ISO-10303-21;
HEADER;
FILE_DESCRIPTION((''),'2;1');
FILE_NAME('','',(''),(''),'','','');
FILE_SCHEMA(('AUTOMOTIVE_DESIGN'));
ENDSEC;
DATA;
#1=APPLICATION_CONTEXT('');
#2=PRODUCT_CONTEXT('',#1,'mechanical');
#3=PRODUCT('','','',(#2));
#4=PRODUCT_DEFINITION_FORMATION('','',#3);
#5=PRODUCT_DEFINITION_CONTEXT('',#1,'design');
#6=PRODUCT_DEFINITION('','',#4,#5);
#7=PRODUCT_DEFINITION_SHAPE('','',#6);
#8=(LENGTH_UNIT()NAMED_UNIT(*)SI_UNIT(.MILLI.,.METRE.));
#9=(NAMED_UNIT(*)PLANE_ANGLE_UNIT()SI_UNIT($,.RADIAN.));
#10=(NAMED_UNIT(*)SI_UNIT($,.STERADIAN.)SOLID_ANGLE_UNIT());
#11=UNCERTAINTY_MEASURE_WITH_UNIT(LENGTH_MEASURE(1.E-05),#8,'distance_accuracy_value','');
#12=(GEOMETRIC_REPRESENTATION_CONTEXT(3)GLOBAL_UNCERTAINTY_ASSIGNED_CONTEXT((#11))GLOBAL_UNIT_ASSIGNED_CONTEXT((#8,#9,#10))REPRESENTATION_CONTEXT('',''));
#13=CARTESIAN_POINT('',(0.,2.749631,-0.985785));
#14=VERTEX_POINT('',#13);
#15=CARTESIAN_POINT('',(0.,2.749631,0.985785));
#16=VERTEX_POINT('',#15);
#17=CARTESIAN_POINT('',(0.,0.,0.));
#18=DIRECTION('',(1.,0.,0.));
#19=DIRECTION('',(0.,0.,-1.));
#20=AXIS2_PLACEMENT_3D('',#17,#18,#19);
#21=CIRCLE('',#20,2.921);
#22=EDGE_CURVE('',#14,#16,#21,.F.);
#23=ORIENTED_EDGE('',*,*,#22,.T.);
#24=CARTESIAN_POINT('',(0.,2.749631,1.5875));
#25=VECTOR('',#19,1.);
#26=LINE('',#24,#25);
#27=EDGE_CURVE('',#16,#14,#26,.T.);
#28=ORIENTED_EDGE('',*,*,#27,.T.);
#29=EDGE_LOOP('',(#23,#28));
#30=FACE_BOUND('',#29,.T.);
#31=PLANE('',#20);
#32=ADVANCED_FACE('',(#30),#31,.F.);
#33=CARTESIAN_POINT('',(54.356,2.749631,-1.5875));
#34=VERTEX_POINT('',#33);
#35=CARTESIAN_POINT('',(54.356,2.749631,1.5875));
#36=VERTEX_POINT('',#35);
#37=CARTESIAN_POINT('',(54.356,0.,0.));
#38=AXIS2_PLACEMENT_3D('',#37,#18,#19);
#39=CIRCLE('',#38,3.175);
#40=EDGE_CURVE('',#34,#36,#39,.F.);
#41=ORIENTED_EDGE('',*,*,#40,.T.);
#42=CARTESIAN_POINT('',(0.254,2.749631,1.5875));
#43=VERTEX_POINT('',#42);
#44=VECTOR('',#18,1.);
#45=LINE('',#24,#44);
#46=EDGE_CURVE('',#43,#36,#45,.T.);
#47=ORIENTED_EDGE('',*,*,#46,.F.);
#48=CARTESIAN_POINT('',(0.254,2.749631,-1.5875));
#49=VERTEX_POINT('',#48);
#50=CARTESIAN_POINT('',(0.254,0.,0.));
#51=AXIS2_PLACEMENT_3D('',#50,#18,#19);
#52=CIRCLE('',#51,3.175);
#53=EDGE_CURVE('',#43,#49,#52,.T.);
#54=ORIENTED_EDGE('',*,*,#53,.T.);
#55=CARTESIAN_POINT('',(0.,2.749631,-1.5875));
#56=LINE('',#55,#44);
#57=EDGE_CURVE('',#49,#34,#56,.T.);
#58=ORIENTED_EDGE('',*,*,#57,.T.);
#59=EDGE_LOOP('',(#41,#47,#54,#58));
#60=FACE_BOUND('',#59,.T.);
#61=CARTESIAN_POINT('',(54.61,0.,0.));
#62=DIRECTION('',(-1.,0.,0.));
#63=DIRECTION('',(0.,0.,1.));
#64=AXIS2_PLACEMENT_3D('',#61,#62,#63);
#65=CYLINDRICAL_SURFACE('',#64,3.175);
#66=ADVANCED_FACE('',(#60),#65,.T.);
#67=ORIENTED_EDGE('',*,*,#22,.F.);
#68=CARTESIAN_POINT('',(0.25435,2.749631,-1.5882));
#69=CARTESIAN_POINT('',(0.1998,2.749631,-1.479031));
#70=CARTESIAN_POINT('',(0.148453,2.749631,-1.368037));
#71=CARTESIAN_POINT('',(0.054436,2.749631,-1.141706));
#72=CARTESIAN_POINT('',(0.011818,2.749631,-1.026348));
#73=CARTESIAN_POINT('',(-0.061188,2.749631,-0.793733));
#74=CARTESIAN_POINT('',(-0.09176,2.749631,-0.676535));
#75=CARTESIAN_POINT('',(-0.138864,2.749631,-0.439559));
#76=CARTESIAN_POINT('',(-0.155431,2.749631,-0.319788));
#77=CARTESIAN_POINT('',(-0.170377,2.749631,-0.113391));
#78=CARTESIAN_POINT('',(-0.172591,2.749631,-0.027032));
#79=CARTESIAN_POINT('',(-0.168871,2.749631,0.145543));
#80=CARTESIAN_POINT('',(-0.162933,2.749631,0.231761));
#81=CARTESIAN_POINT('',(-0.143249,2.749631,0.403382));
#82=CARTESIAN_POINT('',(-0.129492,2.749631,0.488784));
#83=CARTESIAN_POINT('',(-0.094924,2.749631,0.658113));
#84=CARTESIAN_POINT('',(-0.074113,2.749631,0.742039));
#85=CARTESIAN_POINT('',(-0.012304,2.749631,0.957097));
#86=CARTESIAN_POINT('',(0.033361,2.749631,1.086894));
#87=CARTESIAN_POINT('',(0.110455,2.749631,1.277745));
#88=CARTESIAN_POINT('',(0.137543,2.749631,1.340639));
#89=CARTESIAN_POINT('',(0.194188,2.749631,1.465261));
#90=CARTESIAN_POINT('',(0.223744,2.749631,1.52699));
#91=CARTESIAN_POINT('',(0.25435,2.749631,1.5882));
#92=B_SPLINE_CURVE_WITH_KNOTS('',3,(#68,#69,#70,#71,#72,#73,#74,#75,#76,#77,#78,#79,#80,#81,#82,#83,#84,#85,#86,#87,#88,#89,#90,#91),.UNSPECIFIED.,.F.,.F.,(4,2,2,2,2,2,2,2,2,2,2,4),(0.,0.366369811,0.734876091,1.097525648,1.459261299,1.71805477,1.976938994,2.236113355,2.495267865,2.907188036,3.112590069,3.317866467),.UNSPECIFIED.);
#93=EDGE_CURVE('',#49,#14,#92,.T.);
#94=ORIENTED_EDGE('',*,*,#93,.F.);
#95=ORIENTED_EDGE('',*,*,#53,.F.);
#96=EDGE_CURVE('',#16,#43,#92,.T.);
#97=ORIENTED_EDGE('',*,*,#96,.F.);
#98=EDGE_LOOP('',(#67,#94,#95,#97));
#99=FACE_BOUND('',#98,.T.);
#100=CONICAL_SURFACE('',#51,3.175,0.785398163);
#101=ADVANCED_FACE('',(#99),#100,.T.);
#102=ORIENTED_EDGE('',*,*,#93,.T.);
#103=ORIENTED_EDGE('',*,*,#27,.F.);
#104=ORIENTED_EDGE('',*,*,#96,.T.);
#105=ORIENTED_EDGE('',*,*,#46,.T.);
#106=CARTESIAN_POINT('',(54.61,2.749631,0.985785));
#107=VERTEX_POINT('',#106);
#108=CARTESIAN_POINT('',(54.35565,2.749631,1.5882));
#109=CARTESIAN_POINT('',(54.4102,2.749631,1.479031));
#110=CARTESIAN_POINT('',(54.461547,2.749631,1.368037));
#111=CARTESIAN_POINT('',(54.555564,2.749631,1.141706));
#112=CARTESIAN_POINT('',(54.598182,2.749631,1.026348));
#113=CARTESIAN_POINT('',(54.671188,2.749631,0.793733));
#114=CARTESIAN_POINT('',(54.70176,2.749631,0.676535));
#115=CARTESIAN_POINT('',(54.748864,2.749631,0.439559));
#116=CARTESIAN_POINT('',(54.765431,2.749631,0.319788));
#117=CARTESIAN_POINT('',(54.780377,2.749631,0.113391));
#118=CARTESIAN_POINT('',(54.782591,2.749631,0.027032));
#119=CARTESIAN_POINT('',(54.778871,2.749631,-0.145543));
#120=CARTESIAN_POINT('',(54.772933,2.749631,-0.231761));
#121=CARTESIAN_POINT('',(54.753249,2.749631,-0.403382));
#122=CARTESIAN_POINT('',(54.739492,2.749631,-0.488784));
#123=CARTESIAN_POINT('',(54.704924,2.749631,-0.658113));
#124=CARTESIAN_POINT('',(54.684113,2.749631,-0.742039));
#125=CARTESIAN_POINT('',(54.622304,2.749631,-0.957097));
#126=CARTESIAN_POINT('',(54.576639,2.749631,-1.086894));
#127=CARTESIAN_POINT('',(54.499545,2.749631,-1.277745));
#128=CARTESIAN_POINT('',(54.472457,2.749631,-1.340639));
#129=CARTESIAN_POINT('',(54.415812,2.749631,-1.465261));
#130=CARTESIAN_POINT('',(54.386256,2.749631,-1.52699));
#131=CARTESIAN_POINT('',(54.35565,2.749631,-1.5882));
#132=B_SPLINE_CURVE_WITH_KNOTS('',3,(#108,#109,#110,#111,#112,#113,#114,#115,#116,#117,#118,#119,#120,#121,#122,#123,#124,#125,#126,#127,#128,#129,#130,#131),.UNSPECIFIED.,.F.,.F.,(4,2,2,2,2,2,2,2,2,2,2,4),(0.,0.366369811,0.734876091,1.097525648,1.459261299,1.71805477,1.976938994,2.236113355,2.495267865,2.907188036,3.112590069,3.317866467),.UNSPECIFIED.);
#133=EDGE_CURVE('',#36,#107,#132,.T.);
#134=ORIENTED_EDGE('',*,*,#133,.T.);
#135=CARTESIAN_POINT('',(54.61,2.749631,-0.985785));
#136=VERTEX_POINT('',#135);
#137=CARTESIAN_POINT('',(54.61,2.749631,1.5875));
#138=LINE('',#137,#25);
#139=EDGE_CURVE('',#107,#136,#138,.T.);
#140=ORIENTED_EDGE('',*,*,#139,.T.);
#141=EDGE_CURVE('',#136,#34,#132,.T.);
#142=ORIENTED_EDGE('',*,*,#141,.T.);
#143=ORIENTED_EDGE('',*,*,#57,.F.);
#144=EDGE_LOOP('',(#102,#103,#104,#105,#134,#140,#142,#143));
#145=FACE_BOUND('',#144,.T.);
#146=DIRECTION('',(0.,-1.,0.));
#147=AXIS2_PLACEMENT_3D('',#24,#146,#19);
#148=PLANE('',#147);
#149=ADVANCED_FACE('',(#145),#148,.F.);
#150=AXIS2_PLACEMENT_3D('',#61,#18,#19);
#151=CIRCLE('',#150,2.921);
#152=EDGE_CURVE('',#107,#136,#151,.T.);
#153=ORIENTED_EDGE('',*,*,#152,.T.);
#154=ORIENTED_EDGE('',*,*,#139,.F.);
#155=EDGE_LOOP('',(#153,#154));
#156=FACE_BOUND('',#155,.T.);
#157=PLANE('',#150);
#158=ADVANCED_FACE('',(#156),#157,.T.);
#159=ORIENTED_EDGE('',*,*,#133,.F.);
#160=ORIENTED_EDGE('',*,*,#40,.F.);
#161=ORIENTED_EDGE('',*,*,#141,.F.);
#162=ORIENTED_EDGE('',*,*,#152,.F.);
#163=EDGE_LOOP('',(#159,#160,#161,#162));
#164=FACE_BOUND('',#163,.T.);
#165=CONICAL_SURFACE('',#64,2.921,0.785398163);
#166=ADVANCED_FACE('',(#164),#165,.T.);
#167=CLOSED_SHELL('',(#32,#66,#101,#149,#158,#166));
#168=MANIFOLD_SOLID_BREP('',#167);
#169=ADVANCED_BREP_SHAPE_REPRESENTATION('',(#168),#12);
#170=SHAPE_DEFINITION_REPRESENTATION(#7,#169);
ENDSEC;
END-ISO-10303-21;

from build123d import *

# Parameters (mm, degrees)
SKETCH1_R           = 3.175
BOSS_EXTRUDE1_DEPTH = 54.61
CHAMFER1_SIZE       = 0.254
CUT_EXTRUDE2_DEPTH  = 55.794282092


with BuildPart() as part:
    # Sketch1 → Boss-Extrude1 (new body)
    with BuildSketch(Plane(origin=(0, 0, 0), x_dir=(0, 0, -1), z_dir=(1, 0, 0))):
        Circle(SKETCH1_R)
    extrude(amount=BOSS_EXTRUDE1_DEPTH)

    # Chamfer1
    chamfer1_edges = [part.edges().sort_by_distance(p)[0] for p in [
        (0, 0, 3.175),
        (54.61, 0, 3.175),
    ]]
    chamfer(chamfer1_edges, length=CHAMFER1_SIZE)

    # Sketch2 → Cut-Extrude2 (cut, through all)
    with BuildSketch(Plane(origin=(54.61, 0, 0), x_dir=(0, 0, -1), z_dir=(1, 0, 0))):
        with BuildLine():
            Line((-1.5875, 2.749630657), (1.5875, 2.749630657))
            ThreePointArc((1.5875, 2.749630657), (0, 3.175), (-1.5875, 2.749630657))
        make_face()
    extrude(amount=-CUT_EXTRUDE2_DEPTH, mode=Mode.SUBTRACT)


solid = part.part
